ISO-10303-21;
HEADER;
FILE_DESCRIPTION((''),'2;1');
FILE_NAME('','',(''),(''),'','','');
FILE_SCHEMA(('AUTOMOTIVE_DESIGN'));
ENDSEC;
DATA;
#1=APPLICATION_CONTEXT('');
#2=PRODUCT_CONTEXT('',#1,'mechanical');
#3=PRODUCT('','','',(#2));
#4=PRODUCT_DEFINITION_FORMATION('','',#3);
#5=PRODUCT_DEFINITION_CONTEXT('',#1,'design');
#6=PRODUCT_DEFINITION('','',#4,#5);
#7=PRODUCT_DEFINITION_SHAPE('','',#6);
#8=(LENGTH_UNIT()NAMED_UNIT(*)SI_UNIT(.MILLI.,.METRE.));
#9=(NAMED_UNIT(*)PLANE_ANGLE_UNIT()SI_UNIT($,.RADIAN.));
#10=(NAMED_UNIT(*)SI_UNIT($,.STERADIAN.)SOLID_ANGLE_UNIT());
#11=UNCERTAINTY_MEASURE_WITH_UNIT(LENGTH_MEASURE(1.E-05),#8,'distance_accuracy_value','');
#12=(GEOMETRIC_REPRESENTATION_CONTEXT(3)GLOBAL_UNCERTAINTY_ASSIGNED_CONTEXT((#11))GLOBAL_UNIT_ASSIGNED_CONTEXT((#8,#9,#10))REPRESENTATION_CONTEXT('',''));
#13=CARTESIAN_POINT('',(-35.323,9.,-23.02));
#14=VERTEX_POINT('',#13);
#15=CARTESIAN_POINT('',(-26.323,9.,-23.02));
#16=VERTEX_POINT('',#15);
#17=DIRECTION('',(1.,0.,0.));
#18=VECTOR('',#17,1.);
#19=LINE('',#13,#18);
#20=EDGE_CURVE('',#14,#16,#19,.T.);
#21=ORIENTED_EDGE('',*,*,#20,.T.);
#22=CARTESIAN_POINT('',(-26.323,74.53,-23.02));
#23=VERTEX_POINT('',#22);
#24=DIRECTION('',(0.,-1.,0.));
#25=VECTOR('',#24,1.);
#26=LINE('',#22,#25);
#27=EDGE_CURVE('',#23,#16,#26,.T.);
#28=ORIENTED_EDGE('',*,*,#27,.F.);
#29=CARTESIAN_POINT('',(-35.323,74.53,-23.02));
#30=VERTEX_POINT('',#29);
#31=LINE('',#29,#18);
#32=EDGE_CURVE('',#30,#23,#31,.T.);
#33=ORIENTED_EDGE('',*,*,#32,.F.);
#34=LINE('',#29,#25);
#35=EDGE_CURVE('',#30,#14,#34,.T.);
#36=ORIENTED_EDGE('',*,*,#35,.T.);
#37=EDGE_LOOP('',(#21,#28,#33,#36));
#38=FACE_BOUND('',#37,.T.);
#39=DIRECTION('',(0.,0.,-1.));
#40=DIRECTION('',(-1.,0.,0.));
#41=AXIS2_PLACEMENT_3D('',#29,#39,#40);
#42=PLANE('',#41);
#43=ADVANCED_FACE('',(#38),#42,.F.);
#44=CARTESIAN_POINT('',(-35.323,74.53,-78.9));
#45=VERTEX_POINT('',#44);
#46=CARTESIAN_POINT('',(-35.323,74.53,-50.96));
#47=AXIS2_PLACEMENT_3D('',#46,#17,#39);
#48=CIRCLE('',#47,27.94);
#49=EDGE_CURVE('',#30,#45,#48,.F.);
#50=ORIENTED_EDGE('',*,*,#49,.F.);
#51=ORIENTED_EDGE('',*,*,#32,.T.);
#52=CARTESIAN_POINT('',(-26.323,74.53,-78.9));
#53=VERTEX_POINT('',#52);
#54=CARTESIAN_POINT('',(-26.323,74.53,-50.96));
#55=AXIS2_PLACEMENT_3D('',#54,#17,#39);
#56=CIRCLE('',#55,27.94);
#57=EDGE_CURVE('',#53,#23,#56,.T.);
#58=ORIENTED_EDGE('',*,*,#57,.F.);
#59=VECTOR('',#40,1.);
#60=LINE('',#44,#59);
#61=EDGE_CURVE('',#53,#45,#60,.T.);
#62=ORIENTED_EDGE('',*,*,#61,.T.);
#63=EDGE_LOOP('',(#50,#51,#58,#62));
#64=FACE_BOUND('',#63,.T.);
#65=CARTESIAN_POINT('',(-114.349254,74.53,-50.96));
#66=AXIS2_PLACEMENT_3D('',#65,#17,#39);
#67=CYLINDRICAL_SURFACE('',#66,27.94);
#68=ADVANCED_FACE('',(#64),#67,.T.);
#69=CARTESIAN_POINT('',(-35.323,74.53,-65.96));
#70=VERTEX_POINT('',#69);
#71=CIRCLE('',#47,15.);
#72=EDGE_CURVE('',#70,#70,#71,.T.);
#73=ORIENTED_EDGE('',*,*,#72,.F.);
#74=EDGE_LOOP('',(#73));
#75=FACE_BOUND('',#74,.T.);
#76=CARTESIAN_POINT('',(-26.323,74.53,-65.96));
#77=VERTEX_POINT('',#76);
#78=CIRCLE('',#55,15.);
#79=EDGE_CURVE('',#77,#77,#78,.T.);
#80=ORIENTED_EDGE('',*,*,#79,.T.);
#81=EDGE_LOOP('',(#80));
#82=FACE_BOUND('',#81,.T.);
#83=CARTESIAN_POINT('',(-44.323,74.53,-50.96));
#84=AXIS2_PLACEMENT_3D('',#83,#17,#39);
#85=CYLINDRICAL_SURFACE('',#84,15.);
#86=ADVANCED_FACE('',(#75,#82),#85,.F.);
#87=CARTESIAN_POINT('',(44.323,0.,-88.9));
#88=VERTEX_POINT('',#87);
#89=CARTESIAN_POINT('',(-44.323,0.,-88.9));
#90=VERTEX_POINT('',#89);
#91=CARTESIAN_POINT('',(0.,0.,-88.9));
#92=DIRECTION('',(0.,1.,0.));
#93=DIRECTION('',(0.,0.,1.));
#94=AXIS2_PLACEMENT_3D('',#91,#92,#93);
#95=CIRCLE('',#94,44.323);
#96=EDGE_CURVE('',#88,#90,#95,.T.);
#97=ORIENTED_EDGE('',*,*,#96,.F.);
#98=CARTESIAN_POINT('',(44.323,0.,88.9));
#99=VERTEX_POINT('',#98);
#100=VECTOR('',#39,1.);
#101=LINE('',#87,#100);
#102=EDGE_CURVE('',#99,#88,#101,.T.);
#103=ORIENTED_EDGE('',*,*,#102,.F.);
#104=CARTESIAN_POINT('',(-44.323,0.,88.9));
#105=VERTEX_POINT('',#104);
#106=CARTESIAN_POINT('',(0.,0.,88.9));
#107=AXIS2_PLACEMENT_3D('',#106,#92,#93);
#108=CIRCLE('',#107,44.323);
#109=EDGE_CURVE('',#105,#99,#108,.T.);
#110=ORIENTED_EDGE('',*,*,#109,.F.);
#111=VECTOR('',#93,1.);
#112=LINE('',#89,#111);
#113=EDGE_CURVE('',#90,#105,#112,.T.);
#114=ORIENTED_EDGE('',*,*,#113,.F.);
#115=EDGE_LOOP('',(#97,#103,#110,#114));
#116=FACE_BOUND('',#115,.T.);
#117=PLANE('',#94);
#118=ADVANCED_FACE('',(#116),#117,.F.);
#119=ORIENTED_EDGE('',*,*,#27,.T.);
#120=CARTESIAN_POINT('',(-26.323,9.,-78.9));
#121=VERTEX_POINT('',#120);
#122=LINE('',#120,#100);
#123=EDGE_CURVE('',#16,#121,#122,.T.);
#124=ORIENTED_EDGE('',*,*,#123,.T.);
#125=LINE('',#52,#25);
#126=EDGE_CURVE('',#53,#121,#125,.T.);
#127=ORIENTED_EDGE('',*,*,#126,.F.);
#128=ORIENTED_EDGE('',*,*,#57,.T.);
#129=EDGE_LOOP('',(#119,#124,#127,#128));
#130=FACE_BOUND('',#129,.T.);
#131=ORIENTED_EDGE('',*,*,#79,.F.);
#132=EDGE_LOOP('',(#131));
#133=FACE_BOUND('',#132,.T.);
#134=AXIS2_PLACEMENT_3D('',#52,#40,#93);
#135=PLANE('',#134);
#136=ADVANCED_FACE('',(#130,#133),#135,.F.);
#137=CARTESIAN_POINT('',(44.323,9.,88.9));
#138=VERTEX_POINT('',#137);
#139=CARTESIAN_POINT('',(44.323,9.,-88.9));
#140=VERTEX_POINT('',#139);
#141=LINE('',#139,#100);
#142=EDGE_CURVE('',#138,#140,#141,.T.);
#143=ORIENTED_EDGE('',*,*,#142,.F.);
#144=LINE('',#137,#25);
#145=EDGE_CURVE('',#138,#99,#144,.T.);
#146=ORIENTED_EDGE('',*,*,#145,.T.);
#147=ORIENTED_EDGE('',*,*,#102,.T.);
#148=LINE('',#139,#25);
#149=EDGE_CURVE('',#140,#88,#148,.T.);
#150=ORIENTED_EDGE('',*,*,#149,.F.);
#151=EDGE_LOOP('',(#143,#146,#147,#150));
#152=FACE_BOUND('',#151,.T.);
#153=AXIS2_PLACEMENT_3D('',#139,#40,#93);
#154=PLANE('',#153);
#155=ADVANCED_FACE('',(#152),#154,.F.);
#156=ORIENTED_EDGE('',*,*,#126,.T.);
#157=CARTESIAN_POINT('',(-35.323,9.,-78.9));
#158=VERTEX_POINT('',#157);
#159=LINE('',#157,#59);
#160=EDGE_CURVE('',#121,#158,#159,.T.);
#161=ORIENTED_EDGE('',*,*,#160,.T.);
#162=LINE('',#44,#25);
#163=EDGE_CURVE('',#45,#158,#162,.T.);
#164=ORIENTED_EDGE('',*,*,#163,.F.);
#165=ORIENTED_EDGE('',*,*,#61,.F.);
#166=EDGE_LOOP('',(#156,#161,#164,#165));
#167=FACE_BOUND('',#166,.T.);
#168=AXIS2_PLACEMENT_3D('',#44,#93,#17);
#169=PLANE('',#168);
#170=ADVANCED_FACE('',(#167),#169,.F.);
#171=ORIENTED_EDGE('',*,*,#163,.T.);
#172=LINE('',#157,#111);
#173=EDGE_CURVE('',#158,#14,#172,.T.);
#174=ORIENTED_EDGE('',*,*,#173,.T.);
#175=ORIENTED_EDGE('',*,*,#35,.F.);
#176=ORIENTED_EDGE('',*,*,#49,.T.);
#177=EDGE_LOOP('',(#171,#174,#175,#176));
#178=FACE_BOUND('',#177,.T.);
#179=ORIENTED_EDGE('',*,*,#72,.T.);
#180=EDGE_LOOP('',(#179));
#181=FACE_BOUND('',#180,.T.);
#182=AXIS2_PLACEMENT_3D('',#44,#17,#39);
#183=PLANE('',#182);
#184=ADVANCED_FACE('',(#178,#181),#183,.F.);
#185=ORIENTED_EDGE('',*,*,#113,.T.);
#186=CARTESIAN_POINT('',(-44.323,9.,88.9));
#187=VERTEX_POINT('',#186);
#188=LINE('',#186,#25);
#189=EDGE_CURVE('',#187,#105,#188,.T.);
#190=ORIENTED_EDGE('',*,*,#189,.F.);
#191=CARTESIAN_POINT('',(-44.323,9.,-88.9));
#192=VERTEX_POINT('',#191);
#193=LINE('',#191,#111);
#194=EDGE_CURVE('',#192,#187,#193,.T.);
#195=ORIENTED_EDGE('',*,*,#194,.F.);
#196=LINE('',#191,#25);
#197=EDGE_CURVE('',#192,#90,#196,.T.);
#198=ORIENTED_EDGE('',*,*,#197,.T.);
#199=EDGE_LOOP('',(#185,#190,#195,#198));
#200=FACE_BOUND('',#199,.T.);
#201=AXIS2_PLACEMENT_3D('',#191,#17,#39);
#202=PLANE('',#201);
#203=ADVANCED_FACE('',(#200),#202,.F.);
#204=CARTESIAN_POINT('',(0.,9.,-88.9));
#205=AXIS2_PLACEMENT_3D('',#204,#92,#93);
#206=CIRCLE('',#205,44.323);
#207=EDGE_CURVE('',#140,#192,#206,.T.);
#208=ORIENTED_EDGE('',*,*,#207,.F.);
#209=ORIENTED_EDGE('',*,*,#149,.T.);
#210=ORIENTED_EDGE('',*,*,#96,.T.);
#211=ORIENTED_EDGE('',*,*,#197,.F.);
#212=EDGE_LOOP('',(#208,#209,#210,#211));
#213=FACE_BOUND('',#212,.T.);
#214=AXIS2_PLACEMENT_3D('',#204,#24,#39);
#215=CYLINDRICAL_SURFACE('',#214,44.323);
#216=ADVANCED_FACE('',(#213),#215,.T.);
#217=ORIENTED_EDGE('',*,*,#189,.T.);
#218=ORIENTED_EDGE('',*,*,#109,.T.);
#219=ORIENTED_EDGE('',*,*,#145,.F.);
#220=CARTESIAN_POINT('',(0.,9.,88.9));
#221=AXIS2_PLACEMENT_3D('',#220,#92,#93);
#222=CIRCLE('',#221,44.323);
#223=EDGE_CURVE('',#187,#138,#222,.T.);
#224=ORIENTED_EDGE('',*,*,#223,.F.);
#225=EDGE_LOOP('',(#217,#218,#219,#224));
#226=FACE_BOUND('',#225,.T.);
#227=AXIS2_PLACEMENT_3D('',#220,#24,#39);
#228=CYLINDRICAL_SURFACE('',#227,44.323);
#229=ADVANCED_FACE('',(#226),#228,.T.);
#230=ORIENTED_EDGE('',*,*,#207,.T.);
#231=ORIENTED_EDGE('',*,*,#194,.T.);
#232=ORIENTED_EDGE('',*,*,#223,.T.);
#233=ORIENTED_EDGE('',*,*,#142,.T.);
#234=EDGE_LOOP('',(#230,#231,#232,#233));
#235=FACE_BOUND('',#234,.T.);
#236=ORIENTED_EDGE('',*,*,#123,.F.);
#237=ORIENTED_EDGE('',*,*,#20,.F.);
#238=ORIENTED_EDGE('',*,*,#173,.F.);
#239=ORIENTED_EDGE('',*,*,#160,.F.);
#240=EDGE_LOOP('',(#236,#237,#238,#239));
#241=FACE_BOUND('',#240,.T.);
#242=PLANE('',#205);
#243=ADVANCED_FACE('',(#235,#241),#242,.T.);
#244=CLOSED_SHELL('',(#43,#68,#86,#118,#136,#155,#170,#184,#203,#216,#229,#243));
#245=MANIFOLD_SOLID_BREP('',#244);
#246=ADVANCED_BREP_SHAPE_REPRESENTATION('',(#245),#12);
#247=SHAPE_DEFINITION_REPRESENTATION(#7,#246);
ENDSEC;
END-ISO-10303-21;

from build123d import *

# Parameters (mm, degrees)
BOSS_EXTRUDE1_DEPTH = 9
SKETCH2_W           = 9
SKETCH2_H           = 55.88
BOSS_EXTRUDE2_DEPTH = 65.53
SKETCH3_R           = 27.94
BOSS_EXTRUDE3_DEPTH = 9
SKETCH4_R           = 15
CUT_EXTRUDE1_DEPTH  = 19


with BuildPart() as part:
    # Sketch1 → Boss-Extrude1 (new body)
    with BuildSketch(Plane(origin=(0, 0, 0), x_dir=(1, 0, 0), z_dir=(0, 1, 0))):
        with BuildLine():
            Line((44.323, 88.9), (44.323, -88.9))
            ThreePointArc((44.323, -88.9), (0, -133.223), (-44.323, -88.9))
            Line((-44.323, -88.9), (-44.323, 88.9))
            ThreePointArc((-44.323, 88.9), (0, 133.223), (44.323, 88.9))
        make_face()
    extrude(amount=BOSS_EXTRUDE1_DEPTH)

    # Sketch2 → Boss-Extrude2 (add)
    with BuildSketch(Plane(origin=(0, 9, 0), x_dir=(1, 0, 0), z_dir=(0, 1, 0))):
        with Locations((-30.823, 50.96)):
            Rectangle(SKETCH2_W, SKETCH2_H)
    extrude(amount=BOSS_EXTRUDE2_DEPTH)

    # Sketch3 → Boss-Extrude3 (add)
    with BuildSketch(Plane(origin=(-26.323, 0, 0), x_dir=(0, 0, -1), z_dir=(1, 0, 0))):
        with Locations((50.96, 74.53)):
            Circle(SKETCH3_R)
    extrude(amount=-BOSS_EXTRUDE3_DEPTH)

    # Sketch4 → Cut-Extrude1 (cut, through all)
    with BuildSketch(Plane(origin=(-26.323, 0, 0), x_dir=(0, 0, -1), z_dir=(1, 0, 0))):
        with Locations((50.96, 74.53)):
            Circle(SKETCH4_R)
    extrude(amount=-CUT_EXTRUDE1_DEPTH, mode=Mode.SUBTRACT)


solid = part.part
